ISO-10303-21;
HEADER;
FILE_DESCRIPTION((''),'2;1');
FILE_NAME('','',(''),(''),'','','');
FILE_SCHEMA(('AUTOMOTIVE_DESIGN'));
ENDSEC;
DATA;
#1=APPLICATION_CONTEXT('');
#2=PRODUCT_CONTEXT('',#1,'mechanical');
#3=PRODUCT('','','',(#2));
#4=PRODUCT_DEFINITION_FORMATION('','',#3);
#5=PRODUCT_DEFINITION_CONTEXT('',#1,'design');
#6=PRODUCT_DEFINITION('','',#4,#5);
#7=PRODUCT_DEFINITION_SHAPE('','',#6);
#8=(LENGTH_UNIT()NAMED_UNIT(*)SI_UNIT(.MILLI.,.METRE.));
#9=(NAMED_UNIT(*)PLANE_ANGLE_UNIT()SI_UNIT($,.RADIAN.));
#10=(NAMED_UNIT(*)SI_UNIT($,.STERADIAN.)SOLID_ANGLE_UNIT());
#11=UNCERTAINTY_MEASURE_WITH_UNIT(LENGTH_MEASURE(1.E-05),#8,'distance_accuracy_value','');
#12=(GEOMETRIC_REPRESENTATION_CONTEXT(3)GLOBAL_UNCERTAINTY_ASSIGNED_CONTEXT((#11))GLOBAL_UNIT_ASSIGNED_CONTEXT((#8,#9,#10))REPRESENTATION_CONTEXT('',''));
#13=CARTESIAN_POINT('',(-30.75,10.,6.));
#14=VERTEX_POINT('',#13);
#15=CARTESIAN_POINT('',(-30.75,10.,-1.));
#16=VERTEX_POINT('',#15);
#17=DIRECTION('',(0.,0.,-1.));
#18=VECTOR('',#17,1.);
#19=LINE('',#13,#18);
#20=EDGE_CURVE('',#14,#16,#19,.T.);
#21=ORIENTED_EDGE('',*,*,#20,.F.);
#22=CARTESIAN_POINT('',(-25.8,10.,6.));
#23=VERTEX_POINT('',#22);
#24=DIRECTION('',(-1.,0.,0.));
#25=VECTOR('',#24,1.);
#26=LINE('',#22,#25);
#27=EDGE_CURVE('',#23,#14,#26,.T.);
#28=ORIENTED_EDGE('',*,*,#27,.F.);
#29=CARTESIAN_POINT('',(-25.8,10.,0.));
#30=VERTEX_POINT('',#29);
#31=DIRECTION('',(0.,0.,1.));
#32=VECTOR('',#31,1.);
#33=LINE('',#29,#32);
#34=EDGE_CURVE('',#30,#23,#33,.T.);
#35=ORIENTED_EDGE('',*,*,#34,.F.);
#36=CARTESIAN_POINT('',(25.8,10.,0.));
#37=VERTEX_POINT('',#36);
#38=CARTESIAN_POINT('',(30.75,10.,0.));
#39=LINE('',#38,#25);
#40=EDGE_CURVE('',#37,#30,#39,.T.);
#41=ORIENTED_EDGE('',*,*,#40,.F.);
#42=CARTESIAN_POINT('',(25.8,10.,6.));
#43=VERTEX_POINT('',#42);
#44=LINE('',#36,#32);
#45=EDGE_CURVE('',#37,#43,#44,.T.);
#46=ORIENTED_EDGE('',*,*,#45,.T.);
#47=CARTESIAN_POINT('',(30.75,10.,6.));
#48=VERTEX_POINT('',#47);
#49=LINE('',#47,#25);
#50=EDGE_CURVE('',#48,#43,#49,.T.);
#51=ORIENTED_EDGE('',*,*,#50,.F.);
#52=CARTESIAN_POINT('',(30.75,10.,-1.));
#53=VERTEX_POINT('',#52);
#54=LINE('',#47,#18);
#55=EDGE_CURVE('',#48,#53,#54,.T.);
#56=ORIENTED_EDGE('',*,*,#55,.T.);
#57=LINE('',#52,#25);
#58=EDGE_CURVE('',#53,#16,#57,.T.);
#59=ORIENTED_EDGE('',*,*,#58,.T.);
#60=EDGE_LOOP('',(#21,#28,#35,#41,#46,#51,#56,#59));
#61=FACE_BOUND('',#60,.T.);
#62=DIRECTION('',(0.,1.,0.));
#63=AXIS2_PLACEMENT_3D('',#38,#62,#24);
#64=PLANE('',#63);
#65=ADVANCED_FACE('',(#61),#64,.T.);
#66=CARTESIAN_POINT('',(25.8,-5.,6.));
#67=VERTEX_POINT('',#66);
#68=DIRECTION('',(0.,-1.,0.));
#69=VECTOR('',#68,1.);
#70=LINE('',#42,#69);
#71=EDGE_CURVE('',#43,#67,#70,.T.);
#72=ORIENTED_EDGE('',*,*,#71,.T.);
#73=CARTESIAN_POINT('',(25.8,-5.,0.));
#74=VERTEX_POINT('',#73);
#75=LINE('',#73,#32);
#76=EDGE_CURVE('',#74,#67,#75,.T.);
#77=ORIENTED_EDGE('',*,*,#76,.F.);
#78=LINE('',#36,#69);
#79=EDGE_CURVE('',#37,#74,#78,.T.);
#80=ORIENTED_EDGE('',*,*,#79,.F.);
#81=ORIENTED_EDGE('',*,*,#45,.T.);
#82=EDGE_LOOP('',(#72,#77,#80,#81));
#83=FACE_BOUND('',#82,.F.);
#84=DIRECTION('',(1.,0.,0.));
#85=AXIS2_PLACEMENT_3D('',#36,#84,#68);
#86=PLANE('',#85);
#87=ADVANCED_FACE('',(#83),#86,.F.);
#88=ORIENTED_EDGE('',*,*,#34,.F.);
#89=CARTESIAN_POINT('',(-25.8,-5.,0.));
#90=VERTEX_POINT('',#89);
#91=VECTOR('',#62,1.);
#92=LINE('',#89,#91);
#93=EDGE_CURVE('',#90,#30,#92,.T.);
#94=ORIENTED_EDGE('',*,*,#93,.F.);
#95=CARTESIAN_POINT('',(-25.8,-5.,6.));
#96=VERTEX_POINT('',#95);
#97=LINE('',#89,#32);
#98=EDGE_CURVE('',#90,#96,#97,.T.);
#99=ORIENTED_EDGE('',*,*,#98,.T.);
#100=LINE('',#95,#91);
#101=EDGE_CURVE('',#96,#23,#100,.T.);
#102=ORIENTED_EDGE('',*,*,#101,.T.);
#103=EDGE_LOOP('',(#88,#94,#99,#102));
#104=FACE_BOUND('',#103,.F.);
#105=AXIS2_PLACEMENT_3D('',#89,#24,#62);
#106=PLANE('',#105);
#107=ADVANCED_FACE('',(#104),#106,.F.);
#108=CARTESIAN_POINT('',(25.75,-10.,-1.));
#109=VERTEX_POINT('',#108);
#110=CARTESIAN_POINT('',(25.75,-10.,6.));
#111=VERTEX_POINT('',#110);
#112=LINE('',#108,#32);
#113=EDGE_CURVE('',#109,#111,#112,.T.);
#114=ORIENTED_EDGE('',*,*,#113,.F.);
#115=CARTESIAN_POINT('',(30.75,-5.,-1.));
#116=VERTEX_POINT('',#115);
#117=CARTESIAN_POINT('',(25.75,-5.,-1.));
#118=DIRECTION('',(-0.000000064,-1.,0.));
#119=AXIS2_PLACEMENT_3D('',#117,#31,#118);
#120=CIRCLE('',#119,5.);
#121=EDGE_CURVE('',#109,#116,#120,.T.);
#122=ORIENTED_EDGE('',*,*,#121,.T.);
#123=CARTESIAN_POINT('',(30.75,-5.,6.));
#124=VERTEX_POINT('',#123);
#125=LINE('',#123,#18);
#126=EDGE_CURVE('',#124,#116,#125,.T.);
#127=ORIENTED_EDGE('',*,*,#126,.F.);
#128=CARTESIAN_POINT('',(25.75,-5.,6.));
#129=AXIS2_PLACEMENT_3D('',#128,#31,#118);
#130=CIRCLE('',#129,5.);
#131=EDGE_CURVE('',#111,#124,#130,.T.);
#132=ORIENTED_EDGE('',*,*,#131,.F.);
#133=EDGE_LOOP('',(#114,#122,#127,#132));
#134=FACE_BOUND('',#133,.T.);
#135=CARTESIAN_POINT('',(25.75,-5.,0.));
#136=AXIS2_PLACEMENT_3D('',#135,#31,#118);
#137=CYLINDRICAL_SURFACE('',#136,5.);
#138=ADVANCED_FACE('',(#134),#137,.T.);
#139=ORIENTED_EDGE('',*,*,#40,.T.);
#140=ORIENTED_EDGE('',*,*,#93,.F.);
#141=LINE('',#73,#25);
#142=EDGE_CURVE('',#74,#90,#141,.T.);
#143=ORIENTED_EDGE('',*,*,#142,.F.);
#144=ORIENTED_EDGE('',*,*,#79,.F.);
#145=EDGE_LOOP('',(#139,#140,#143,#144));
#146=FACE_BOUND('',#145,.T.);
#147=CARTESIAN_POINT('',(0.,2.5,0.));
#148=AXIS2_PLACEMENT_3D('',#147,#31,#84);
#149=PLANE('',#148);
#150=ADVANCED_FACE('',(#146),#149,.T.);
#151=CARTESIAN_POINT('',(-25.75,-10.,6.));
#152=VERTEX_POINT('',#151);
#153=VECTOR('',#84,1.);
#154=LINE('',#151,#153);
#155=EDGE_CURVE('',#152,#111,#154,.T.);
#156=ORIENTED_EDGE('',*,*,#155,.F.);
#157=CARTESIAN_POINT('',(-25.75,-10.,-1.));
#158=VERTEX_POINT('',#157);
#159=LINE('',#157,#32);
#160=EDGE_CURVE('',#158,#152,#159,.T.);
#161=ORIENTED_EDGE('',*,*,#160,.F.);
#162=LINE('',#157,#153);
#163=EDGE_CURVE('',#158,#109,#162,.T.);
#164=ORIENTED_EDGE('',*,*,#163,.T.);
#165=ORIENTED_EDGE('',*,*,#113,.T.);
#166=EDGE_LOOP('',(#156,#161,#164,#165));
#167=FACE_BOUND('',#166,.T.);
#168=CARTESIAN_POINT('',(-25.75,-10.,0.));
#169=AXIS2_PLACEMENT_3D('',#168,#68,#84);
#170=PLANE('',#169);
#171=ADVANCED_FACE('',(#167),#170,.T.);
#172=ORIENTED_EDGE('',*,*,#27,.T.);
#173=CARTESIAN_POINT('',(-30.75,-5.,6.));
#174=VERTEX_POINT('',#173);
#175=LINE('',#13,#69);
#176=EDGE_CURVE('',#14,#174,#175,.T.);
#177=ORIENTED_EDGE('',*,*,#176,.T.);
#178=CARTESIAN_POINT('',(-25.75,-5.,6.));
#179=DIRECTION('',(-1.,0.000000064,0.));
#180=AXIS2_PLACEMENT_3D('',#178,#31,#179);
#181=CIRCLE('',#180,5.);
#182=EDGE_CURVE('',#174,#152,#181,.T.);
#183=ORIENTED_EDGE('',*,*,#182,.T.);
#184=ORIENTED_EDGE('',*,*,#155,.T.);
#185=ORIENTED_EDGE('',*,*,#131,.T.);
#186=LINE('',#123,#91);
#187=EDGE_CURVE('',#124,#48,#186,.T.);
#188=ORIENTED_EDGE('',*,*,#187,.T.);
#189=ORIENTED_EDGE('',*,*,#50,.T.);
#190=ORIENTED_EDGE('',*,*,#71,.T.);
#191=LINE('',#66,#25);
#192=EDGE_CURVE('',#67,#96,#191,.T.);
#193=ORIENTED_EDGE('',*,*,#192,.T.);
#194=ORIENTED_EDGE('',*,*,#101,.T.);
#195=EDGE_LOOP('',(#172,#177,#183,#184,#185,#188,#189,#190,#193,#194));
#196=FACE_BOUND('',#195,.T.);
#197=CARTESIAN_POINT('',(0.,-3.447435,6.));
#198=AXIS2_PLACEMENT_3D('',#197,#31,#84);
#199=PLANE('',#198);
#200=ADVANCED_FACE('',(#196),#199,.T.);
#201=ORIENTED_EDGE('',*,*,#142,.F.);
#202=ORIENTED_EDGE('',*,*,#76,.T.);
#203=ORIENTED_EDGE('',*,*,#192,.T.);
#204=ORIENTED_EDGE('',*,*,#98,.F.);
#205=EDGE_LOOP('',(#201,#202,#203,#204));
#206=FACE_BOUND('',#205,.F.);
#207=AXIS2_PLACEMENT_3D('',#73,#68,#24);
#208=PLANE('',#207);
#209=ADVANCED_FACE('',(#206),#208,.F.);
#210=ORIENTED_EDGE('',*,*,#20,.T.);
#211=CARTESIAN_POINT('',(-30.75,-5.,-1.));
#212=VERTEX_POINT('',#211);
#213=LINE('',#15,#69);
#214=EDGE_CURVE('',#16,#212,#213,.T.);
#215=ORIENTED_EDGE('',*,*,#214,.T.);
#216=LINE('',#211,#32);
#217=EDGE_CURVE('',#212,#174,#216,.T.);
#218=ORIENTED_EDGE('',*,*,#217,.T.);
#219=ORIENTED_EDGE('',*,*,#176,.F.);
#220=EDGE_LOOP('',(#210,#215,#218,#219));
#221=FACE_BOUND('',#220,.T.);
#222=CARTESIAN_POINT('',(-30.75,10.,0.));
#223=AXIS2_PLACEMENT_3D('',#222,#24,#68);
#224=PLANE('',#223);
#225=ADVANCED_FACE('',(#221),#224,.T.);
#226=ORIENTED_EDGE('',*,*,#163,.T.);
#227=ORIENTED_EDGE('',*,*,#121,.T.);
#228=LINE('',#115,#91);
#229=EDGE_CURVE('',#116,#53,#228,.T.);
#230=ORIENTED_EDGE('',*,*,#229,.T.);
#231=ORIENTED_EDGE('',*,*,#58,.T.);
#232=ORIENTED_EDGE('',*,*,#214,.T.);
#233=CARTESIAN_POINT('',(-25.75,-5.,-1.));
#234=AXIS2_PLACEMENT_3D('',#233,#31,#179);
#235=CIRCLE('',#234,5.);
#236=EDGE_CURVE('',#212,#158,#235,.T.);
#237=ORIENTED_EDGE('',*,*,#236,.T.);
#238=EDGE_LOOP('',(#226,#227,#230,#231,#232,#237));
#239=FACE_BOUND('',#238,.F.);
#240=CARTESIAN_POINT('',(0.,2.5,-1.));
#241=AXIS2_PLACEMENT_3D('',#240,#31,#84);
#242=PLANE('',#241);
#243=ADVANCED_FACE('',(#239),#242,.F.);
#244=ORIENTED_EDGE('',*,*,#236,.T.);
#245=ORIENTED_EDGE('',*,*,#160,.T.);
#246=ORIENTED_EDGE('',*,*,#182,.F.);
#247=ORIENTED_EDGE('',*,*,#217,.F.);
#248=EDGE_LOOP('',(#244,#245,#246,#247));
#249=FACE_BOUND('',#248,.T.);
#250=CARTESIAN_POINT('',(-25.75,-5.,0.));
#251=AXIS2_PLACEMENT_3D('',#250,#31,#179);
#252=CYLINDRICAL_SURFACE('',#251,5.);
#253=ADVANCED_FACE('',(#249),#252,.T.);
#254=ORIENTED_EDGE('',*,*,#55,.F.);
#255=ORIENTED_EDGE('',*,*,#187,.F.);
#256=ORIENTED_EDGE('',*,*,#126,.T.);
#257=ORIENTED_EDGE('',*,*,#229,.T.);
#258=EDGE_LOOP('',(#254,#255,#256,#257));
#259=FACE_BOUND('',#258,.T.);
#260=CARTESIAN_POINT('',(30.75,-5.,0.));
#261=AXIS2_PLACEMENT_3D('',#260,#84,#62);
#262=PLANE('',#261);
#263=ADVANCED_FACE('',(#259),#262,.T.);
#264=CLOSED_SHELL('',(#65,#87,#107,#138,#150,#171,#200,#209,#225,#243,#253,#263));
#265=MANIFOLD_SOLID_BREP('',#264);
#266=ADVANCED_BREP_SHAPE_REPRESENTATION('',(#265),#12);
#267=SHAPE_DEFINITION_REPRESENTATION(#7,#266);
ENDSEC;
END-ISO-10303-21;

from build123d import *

# Parameters (mm, degrees)
F1_DEPTH = 6
F0_W     = 51.6
F0_H     = 15
F2_DEPTH = 1


with BuildPart() as f1:
    # F0 (on Top) → F1 (new body)
    with BuildSketch(Plane.XY):
        with BuildLine():
            Line((30.75, -5), (30.75, 10))
            Line((30.75, 10), (25.8, 10))
            Line((25.8, 10), (25.8, -5))
            Line((25.8, -5), (-25.8, -5))
            Line((-25.8, -5), (-25.8, 10))
            Line((-25.8, 10), (-30.75, 10))
            Line((-30.75, 10), (-30.75, -5))
            ThreePointArc((-30.75, -5), (-29.285534, -8.535534), (-25.75, -10))
            Line((-25.75, -10), (25.75, -10))
            ThreePointArc((25.75, -10), (29.285534, -8.535534), (30.75, -5))
        make_face()
    extrude(amount=F1_DEPTH)

    # F0 (on Top) → F2 (join)
    with BuildSketch(Plane.XY):
        with Locations((0, 2.5)):
            Rectangle(F0_W, F0_H)
        with BuildLine():
            Line((30.75, -5), (30.75, 10))
            Line((30.75, 10), (25.8, 10))
            Line((25.8, 10), (25.8, -5))
            Line((25.8, -5), (-25.8, -5))
            Line((-25.8, -5), (-25.8, 10))
            Line((-25.8, 10), (-30.75, 10))
            Line((-30.75, 10), (-30.75, -5))
            ThreePointArc((-30.75, -5), (-29.285534, -8.535534), (-25.75, -10))
            Line((-25.75, -10), (25.75, -10))
            ThreePointArc((25.75, -10), (29.285534, -8.535534), (30.75, -5))
        make_face()
    extrude(amount=-F2_DEPTH)


solid = f1.part
